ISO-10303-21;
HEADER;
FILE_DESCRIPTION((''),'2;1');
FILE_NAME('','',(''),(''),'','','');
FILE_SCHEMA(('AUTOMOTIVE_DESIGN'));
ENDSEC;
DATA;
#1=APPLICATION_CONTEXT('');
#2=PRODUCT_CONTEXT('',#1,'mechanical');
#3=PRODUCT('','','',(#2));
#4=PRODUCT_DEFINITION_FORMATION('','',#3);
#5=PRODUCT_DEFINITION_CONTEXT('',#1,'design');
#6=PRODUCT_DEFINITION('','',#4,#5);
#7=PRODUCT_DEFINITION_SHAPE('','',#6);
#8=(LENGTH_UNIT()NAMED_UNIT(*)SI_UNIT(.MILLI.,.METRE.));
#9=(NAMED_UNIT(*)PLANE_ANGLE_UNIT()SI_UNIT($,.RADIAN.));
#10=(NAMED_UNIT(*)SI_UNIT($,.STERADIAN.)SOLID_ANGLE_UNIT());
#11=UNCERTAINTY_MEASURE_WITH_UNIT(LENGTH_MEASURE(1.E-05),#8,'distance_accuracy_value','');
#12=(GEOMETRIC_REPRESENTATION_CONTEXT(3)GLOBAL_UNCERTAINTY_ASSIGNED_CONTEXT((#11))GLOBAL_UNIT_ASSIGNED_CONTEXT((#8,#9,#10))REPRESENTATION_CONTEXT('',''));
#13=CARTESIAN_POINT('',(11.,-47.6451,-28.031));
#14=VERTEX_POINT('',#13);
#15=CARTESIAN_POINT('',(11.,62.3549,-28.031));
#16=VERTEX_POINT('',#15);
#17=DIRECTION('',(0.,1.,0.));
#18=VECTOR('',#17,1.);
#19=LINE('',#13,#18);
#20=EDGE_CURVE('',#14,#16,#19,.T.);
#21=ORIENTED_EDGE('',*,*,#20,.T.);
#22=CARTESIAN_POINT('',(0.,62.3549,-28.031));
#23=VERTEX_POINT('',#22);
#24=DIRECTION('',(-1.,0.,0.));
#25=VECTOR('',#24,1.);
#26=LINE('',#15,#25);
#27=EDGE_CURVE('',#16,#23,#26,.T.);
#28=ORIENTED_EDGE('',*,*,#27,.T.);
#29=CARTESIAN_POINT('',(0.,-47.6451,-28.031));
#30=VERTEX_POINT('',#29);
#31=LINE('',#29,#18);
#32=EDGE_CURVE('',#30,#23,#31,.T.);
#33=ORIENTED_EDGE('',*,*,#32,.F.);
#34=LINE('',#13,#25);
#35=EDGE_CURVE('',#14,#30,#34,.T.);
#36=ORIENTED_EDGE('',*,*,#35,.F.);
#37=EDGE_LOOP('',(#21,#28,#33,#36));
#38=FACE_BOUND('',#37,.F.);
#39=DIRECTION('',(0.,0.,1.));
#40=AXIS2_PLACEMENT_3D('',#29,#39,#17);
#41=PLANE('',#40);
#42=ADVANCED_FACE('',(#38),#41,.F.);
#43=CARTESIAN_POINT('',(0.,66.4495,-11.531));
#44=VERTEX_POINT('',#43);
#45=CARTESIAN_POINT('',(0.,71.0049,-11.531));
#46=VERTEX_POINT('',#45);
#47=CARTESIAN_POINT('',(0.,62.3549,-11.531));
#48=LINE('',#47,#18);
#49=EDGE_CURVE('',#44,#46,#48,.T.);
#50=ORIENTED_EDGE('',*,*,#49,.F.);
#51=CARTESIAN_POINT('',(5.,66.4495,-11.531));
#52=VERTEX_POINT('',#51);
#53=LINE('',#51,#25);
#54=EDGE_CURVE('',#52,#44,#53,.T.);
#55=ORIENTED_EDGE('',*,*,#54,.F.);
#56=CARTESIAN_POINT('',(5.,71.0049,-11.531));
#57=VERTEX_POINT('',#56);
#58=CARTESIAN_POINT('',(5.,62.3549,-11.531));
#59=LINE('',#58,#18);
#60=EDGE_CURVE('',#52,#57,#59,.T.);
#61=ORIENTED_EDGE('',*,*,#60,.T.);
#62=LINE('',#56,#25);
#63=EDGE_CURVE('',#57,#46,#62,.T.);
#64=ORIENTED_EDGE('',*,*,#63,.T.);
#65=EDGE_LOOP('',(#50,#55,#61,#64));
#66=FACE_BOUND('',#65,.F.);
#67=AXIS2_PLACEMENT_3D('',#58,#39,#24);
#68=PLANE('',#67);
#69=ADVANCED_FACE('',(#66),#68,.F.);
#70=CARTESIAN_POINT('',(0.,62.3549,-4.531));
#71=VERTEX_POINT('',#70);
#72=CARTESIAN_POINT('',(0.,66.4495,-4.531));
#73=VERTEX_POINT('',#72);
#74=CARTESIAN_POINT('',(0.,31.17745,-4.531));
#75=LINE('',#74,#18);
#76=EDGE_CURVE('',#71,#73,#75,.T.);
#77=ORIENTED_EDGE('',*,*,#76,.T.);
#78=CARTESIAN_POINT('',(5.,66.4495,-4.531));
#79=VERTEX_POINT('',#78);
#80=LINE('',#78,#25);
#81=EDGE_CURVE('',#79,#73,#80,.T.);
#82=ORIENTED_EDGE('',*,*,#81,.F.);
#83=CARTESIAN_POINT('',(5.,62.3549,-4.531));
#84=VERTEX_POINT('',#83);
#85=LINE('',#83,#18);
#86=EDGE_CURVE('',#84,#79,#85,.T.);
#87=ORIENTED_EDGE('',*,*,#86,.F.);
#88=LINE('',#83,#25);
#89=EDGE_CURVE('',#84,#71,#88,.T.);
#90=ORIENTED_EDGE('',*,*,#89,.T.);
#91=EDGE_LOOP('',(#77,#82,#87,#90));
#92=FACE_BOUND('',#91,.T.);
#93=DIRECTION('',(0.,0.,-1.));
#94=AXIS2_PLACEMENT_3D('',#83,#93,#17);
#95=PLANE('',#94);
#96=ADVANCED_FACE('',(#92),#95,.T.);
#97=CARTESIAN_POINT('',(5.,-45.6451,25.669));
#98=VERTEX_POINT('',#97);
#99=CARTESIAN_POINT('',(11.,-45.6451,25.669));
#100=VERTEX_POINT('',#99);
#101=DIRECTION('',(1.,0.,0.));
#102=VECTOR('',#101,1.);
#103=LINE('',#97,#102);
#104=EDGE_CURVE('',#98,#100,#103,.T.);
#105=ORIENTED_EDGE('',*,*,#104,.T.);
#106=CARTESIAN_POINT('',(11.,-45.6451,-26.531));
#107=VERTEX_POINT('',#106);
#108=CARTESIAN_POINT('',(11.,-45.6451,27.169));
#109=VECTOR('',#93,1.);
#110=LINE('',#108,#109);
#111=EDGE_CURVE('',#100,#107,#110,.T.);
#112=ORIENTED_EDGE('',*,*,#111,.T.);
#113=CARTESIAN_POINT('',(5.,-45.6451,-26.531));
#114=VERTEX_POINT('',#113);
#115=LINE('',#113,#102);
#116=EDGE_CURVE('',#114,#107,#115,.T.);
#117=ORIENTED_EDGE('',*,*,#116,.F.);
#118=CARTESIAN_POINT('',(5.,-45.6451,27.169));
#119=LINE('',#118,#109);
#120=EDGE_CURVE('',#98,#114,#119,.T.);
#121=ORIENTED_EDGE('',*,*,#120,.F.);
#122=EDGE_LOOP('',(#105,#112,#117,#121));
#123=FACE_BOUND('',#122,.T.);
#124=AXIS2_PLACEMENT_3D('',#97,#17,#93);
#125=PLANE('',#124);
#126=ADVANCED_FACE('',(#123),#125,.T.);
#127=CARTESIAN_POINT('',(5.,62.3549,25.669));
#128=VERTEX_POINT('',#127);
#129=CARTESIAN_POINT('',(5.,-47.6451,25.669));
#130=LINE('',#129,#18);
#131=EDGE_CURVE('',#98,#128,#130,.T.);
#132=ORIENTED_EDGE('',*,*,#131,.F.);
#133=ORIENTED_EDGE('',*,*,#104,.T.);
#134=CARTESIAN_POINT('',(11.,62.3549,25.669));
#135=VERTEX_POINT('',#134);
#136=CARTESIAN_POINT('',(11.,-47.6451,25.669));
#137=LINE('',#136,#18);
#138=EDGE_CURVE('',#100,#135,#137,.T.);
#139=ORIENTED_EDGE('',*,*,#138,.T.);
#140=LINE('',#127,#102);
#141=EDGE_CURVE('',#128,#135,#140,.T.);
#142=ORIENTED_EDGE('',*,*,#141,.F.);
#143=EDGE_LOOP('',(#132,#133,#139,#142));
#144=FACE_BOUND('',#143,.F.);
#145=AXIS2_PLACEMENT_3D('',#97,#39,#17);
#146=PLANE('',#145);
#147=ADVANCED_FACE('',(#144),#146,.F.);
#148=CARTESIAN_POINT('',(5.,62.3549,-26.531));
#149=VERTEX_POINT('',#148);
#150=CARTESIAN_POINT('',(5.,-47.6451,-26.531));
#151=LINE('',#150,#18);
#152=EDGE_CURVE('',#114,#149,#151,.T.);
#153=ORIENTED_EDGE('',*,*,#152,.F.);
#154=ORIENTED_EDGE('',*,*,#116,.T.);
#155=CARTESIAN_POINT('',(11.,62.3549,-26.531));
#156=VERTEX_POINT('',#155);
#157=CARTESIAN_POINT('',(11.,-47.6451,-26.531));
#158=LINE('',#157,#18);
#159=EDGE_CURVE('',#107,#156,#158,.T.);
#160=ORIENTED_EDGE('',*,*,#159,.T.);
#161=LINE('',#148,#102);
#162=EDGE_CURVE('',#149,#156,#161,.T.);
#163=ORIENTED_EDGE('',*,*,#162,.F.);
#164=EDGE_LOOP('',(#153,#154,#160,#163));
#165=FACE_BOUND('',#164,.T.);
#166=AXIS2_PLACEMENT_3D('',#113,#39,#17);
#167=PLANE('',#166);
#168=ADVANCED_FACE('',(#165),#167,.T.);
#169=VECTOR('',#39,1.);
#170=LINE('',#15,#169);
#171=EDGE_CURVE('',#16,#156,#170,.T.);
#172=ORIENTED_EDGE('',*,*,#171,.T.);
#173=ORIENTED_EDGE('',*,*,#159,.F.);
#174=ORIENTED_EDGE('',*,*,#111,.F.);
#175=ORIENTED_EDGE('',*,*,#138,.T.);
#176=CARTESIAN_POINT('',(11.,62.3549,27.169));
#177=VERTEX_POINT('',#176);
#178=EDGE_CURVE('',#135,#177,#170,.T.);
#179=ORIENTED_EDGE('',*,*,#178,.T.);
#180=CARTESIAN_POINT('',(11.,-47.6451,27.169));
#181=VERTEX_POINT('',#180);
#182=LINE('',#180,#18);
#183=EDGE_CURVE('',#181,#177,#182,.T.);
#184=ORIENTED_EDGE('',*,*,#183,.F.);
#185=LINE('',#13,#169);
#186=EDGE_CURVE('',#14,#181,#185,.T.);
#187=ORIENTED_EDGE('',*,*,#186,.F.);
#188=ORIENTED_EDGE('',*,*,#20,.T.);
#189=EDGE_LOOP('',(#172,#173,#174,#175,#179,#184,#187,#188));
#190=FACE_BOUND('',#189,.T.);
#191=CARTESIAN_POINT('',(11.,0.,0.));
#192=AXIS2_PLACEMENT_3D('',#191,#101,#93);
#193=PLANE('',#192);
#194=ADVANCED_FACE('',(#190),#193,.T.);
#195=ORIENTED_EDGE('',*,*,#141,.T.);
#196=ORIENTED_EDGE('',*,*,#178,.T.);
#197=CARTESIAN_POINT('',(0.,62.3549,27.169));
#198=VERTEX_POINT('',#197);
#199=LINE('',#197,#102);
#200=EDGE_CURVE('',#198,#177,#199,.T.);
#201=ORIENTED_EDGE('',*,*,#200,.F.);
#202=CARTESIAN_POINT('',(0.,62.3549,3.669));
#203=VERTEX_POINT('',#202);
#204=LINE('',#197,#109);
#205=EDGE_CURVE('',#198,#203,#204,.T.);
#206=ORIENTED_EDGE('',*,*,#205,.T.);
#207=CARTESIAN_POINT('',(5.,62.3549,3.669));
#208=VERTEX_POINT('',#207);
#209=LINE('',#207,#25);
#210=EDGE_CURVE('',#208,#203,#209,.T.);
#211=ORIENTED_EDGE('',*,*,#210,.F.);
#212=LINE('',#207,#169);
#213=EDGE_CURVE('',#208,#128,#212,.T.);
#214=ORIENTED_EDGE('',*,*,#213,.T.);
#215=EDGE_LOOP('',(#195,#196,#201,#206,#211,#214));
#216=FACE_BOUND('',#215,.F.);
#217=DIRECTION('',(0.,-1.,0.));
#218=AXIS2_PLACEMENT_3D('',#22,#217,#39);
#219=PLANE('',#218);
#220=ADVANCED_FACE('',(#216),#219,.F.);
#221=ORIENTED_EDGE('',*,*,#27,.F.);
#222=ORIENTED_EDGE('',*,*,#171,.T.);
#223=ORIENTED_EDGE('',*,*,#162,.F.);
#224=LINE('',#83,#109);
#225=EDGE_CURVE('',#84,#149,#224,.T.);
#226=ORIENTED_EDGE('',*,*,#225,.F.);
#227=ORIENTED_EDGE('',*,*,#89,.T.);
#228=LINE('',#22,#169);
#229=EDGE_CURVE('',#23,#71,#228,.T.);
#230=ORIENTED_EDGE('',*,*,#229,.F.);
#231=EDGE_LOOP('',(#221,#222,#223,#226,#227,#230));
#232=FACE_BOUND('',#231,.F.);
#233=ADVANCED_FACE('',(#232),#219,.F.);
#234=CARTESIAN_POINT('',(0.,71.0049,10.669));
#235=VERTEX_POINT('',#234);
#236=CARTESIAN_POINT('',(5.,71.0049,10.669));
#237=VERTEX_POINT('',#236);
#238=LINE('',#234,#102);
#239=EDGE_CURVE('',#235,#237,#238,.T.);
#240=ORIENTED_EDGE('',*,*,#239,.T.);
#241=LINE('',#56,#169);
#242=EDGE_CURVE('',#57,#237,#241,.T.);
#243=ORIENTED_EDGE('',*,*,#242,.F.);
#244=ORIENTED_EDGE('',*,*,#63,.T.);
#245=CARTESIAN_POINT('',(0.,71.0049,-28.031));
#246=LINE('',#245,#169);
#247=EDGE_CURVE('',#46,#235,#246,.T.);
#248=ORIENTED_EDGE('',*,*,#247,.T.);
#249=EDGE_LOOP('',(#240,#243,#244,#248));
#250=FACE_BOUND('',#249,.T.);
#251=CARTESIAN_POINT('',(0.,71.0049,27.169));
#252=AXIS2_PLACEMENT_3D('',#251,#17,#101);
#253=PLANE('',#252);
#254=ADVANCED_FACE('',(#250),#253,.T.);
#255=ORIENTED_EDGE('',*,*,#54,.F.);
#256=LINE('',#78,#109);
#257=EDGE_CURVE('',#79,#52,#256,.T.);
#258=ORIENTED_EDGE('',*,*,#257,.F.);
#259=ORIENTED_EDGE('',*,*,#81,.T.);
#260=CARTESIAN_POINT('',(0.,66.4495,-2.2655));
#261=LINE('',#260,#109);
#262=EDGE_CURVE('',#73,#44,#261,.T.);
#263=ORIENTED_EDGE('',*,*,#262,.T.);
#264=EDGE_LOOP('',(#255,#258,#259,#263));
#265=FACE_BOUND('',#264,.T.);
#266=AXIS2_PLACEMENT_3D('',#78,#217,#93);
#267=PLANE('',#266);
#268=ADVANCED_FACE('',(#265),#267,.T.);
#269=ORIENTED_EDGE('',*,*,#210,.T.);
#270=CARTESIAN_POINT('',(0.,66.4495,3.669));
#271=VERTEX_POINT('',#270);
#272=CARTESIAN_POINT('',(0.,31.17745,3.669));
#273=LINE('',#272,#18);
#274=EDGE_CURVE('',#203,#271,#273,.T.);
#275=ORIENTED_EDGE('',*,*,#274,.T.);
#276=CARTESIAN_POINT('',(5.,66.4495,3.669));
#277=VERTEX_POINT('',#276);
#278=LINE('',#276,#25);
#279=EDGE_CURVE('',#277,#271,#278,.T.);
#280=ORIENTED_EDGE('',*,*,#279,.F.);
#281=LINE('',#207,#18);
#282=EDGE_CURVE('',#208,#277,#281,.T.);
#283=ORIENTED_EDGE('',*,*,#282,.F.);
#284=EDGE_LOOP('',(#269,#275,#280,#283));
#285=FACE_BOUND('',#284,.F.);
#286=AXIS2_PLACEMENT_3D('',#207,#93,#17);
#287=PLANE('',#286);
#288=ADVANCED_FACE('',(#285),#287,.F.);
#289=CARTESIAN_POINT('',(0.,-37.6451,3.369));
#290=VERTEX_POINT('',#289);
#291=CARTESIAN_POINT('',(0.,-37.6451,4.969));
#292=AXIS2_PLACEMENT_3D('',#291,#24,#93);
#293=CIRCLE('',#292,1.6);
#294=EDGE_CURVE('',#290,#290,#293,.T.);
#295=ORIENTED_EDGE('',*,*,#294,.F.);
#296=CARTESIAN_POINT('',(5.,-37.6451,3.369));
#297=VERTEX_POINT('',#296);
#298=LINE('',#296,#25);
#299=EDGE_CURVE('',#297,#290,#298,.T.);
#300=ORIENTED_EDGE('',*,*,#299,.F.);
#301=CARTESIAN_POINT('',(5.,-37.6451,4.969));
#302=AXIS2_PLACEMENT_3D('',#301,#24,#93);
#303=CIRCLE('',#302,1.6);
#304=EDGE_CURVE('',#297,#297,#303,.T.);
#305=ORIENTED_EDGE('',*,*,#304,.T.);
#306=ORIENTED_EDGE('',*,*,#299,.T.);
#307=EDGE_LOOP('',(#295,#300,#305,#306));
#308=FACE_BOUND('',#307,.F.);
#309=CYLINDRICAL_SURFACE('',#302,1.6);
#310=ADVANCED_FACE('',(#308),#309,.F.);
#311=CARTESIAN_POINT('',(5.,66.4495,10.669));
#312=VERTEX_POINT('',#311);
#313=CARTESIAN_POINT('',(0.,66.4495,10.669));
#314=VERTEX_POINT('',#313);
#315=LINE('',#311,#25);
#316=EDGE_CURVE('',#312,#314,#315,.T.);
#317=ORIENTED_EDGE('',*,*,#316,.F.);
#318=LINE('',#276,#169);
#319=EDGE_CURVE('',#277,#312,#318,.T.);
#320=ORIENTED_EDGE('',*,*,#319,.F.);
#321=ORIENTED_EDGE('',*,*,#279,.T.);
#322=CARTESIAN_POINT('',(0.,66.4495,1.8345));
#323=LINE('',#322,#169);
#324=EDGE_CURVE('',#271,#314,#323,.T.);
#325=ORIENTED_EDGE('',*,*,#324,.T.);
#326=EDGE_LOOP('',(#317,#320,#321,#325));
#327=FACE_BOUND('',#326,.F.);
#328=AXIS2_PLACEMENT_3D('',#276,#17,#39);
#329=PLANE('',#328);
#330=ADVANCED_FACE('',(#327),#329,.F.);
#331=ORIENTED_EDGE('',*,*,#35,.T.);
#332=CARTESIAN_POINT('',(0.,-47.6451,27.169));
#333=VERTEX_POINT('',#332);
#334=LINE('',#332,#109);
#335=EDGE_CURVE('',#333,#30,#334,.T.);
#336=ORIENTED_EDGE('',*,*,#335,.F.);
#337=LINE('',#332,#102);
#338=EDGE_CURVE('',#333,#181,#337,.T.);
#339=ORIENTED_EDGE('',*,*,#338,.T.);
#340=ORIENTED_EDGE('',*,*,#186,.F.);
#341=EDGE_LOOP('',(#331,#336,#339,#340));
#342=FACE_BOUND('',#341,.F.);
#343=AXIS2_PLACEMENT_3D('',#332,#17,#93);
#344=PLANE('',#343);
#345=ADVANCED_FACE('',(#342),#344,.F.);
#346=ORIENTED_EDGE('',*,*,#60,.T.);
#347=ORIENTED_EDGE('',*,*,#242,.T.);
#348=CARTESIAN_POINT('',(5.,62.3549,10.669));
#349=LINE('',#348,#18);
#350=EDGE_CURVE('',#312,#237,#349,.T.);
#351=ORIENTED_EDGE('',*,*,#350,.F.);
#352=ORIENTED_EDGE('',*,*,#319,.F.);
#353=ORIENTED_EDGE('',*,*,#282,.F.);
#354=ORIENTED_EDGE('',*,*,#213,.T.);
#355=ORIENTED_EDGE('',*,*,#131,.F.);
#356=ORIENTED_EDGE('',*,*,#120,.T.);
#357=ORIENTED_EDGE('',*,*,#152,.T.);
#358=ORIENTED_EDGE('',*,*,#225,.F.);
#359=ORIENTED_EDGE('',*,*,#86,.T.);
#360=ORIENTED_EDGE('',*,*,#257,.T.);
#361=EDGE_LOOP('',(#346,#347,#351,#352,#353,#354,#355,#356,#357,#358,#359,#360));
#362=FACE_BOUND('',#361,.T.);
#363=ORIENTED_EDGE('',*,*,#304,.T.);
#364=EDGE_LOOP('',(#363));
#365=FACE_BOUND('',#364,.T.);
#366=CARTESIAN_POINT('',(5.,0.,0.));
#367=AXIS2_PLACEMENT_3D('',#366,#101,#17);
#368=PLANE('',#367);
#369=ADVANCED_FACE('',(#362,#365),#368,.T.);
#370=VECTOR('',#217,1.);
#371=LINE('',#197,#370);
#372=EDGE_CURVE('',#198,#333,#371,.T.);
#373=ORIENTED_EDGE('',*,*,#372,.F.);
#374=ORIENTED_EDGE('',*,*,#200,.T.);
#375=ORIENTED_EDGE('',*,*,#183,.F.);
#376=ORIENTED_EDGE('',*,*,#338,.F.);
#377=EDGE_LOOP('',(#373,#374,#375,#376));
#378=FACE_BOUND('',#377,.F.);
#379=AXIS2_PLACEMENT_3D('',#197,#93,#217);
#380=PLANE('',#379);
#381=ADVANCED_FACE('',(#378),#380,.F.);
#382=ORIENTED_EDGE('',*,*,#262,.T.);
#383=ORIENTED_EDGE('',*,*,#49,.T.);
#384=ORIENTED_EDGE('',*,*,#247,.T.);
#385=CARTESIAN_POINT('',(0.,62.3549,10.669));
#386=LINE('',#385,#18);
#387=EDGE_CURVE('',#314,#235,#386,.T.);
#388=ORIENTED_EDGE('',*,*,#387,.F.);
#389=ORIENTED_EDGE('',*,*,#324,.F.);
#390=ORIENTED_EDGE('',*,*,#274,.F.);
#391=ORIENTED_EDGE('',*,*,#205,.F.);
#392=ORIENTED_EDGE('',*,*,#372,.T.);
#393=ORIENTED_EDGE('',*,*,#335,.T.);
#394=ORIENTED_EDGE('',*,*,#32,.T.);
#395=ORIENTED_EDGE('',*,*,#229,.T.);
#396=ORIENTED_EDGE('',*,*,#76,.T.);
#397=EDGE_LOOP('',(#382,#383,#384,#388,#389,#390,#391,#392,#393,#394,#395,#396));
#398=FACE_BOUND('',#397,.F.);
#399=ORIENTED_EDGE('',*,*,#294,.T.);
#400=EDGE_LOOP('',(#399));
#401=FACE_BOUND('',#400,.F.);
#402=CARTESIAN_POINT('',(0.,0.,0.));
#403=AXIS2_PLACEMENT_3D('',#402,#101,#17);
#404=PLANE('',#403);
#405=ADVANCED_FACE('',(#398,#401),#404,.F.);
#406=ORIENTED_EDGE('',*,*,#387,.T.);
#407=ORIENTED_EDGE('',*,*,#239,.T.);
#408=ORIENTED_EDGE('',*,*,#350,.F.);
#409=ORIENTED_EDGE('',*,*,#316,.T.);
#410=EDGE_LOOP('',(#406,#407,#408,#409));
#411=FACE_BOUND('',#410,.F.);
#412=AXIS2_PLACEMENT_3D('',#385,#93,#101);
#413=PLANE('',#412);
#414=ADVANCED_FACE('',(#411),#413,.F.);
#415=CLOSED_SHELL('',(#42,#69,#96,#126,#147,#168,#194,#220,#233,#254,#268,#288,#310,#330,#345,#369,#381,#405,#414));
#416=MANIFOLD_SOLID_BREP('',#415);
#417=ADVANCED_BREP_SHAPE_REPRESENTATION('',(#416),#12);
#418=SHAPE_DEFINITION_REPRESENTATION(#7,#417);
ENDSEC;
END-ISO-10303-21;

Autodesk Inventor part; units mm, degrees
ref_plane "YZ Plane" through (0, 0, 0) normal (1, 0, 0) x (0, 1, 0)
ref_plane "XZ Plane" through (0, 0, 0) normal (0, 1, 0) x (-1, 0, 0)
ref_plane "XY Plane" through (0, 0, 0) normal (0, 0, 1) x (1, 0, 0)
sketch "Sketch1" plane through (0, 0, 0) normal (1, 0, 0) x (0, 1, 0)
  line L0 (62.3549, 27.169) -> (-47.6451, 27.169)
  line L1 (-47.6451, 27.169) -> (-47.6451, -28.031)
  line L2 (-47.6451, -28.031) -> (62.3549, -28.031)
  line L3 (62.3549, -28.031) -> (62.3549, 27.169)
  point P0 (0, 0)
  dimension "d0" = 110
  dimension "d1" = 55.2
extrude "Extrusion1" add sketch "Sketch1" along normal blind 5
sketch "Sketch3" plane through (5, 0, 0) normal (1, 0, 0) x (0, 0, -1)
  line L0 (-27.169, -47.6451) -> (28.031, -47.6451) projected
  line L1 (28.031, -47.6451) -> (-4.969, -47.6451)
  line L2 (-4.969, -47.6451) -> (-4.969, -37.6451)
  point P0 (0, 0)
  dimension "d12" = 33
  dimension "d13" = 10
hole "Hole2" at (5, -37.6451, 4.969) direction (-1, 0, 0) diameter 3.2 end through all
sketch "Sketch13" plane through (5, 0, 0) normal (1, 0, 0) x (0, 0, -1)
  line L0 (-27.169, -47.6451) -> (28.031, -47.6451) projected
  line L1 (28.031, 62.3549) -> (-27.169, 62.3549) projected
  line L2 (28.031, -47.6451) -> (26.531, -47.6451)
  line L3 (26.531, -47.6451) -> (26.531, 62.3549)
  line L4 (26.531, 62.3549) -> (28.031, 62.3549)
  line L5 (28.031, 62.3549) -> (28.031, -47.6451)
  line L6 (-27.169, 62.3549) -> (-27.169, -47.6451) projected
  line L7 (28.031, 62.3549) -> (-27.169, 62.3549) projected
  line L8 (-27.169, -47.6451) -> (-25.669, -47.6451)
  line L9 (-25.669, -47.6451) -> (-25.669, 62.3549)
  line L10 (-25.669, 62.3549) -> (-27.169, 62.3549)
  line L11 (-27.169, 62.3549) -> (-27.169, -47.6451)
  line L12 (28.031, -47.6451) -> (-27.169, -47.6451)
  line L13 (-27.169, -47.6451) -> (-27.169, -45.6451)
  line L14 (-27.169, -45.6451) -> (28.031, -45.6451)
  line L15 (28.031, -45.6451) -> (28.031, -47.6451)
  point P0 (0, 0)
  point P1 (10.031, 62.3549)
  point P2 (-5.969, 62.3549)
  point P3 (26.531, -45.6451)
  point P4 (-25.669, -45.6451)
  point P5 (18.031, 62.3549)
  dimension "d42" = 1.5
  dimension "d43" = 1.5
  dimension "d44" = 2
extrude "Extrusion7" add sketch "Sketch13" along normal blind 6 contours L6 L14 L9 L0 | L9 L14 L3 L0 | L6 L1 L9 L14 | L3 L14 L5 L0 | L3 L1 L5 L14
sketch "Sketch14" plane through (0, 62.3549, 27.169) normal (0, 1, 0) x (1, 0, 0)
  line L0 (5, 1.5) -> (5, 53.7) projected
  line L1 (5, 53.7) -> (5, 38.7)
  line L2 (5, 1.5) -> (5, 16.5)
  line L3 (5, 38.7) -> (0, 38.7)
  line L4 (5, 21.7) -> (5, 38.7)
  line L5 (0, 55.2) -> (0, 0) projected
  line L6 (5, 38.7) -> (0, 38.7)
  line L7 (0, 38.7) -> (0, 16.5)
  line L8 (0, 16.5) -> (5, 16.5)
  line L9 (5, 16.5) -> (5, 38.7)
  point P0 (0, 27.169)
  dimension "d47" = 15
  dimension "d48" = 15
extrude "Extrusion8" add sketch "Sketch14" along normal blind 8.65
sketch "Sketch15" plane through (5, 0, 0) normal (1, 0, 0) x (0, 0, -1)
  line L0 (28.031, 62.3549) -> (11.531, 62.3549) projected
  line L1 (11.531, 62.3549) -> (4.531, 62.3549)
  line L2 (4.531, 62.3549) -> (4.531, 66.4495)
  line L3 (4.531, 66.4495) -> (11.531, 66.4495)
  line L4 (11.531, 66.4495) -> (11.531, 62.3549)
  line L5 (-10.669, 62.3549) -> (-25.669, 62.3549) projected
  line L6 (-10.669, 62.3549) -> (-3.669, 62.3549)
  line L7 (-3.669, 62.3549) -> (-3.669, 66.4495)
  line L8 (-3.669, 66.4495) -> (-10.669, 66.4495)
  line L9 (-10.669, 66.4495) -> (-10.669, 62.3549)
  point P0 (0, 0)
  dimension "d51" = 7
  dimension "d52" = 7
  dimension "d55" = 4.0946
extrude "Extrusion9" cut sketch "Sketch15" against normal blind 8.65
properties part number "pumpholderfinal"
